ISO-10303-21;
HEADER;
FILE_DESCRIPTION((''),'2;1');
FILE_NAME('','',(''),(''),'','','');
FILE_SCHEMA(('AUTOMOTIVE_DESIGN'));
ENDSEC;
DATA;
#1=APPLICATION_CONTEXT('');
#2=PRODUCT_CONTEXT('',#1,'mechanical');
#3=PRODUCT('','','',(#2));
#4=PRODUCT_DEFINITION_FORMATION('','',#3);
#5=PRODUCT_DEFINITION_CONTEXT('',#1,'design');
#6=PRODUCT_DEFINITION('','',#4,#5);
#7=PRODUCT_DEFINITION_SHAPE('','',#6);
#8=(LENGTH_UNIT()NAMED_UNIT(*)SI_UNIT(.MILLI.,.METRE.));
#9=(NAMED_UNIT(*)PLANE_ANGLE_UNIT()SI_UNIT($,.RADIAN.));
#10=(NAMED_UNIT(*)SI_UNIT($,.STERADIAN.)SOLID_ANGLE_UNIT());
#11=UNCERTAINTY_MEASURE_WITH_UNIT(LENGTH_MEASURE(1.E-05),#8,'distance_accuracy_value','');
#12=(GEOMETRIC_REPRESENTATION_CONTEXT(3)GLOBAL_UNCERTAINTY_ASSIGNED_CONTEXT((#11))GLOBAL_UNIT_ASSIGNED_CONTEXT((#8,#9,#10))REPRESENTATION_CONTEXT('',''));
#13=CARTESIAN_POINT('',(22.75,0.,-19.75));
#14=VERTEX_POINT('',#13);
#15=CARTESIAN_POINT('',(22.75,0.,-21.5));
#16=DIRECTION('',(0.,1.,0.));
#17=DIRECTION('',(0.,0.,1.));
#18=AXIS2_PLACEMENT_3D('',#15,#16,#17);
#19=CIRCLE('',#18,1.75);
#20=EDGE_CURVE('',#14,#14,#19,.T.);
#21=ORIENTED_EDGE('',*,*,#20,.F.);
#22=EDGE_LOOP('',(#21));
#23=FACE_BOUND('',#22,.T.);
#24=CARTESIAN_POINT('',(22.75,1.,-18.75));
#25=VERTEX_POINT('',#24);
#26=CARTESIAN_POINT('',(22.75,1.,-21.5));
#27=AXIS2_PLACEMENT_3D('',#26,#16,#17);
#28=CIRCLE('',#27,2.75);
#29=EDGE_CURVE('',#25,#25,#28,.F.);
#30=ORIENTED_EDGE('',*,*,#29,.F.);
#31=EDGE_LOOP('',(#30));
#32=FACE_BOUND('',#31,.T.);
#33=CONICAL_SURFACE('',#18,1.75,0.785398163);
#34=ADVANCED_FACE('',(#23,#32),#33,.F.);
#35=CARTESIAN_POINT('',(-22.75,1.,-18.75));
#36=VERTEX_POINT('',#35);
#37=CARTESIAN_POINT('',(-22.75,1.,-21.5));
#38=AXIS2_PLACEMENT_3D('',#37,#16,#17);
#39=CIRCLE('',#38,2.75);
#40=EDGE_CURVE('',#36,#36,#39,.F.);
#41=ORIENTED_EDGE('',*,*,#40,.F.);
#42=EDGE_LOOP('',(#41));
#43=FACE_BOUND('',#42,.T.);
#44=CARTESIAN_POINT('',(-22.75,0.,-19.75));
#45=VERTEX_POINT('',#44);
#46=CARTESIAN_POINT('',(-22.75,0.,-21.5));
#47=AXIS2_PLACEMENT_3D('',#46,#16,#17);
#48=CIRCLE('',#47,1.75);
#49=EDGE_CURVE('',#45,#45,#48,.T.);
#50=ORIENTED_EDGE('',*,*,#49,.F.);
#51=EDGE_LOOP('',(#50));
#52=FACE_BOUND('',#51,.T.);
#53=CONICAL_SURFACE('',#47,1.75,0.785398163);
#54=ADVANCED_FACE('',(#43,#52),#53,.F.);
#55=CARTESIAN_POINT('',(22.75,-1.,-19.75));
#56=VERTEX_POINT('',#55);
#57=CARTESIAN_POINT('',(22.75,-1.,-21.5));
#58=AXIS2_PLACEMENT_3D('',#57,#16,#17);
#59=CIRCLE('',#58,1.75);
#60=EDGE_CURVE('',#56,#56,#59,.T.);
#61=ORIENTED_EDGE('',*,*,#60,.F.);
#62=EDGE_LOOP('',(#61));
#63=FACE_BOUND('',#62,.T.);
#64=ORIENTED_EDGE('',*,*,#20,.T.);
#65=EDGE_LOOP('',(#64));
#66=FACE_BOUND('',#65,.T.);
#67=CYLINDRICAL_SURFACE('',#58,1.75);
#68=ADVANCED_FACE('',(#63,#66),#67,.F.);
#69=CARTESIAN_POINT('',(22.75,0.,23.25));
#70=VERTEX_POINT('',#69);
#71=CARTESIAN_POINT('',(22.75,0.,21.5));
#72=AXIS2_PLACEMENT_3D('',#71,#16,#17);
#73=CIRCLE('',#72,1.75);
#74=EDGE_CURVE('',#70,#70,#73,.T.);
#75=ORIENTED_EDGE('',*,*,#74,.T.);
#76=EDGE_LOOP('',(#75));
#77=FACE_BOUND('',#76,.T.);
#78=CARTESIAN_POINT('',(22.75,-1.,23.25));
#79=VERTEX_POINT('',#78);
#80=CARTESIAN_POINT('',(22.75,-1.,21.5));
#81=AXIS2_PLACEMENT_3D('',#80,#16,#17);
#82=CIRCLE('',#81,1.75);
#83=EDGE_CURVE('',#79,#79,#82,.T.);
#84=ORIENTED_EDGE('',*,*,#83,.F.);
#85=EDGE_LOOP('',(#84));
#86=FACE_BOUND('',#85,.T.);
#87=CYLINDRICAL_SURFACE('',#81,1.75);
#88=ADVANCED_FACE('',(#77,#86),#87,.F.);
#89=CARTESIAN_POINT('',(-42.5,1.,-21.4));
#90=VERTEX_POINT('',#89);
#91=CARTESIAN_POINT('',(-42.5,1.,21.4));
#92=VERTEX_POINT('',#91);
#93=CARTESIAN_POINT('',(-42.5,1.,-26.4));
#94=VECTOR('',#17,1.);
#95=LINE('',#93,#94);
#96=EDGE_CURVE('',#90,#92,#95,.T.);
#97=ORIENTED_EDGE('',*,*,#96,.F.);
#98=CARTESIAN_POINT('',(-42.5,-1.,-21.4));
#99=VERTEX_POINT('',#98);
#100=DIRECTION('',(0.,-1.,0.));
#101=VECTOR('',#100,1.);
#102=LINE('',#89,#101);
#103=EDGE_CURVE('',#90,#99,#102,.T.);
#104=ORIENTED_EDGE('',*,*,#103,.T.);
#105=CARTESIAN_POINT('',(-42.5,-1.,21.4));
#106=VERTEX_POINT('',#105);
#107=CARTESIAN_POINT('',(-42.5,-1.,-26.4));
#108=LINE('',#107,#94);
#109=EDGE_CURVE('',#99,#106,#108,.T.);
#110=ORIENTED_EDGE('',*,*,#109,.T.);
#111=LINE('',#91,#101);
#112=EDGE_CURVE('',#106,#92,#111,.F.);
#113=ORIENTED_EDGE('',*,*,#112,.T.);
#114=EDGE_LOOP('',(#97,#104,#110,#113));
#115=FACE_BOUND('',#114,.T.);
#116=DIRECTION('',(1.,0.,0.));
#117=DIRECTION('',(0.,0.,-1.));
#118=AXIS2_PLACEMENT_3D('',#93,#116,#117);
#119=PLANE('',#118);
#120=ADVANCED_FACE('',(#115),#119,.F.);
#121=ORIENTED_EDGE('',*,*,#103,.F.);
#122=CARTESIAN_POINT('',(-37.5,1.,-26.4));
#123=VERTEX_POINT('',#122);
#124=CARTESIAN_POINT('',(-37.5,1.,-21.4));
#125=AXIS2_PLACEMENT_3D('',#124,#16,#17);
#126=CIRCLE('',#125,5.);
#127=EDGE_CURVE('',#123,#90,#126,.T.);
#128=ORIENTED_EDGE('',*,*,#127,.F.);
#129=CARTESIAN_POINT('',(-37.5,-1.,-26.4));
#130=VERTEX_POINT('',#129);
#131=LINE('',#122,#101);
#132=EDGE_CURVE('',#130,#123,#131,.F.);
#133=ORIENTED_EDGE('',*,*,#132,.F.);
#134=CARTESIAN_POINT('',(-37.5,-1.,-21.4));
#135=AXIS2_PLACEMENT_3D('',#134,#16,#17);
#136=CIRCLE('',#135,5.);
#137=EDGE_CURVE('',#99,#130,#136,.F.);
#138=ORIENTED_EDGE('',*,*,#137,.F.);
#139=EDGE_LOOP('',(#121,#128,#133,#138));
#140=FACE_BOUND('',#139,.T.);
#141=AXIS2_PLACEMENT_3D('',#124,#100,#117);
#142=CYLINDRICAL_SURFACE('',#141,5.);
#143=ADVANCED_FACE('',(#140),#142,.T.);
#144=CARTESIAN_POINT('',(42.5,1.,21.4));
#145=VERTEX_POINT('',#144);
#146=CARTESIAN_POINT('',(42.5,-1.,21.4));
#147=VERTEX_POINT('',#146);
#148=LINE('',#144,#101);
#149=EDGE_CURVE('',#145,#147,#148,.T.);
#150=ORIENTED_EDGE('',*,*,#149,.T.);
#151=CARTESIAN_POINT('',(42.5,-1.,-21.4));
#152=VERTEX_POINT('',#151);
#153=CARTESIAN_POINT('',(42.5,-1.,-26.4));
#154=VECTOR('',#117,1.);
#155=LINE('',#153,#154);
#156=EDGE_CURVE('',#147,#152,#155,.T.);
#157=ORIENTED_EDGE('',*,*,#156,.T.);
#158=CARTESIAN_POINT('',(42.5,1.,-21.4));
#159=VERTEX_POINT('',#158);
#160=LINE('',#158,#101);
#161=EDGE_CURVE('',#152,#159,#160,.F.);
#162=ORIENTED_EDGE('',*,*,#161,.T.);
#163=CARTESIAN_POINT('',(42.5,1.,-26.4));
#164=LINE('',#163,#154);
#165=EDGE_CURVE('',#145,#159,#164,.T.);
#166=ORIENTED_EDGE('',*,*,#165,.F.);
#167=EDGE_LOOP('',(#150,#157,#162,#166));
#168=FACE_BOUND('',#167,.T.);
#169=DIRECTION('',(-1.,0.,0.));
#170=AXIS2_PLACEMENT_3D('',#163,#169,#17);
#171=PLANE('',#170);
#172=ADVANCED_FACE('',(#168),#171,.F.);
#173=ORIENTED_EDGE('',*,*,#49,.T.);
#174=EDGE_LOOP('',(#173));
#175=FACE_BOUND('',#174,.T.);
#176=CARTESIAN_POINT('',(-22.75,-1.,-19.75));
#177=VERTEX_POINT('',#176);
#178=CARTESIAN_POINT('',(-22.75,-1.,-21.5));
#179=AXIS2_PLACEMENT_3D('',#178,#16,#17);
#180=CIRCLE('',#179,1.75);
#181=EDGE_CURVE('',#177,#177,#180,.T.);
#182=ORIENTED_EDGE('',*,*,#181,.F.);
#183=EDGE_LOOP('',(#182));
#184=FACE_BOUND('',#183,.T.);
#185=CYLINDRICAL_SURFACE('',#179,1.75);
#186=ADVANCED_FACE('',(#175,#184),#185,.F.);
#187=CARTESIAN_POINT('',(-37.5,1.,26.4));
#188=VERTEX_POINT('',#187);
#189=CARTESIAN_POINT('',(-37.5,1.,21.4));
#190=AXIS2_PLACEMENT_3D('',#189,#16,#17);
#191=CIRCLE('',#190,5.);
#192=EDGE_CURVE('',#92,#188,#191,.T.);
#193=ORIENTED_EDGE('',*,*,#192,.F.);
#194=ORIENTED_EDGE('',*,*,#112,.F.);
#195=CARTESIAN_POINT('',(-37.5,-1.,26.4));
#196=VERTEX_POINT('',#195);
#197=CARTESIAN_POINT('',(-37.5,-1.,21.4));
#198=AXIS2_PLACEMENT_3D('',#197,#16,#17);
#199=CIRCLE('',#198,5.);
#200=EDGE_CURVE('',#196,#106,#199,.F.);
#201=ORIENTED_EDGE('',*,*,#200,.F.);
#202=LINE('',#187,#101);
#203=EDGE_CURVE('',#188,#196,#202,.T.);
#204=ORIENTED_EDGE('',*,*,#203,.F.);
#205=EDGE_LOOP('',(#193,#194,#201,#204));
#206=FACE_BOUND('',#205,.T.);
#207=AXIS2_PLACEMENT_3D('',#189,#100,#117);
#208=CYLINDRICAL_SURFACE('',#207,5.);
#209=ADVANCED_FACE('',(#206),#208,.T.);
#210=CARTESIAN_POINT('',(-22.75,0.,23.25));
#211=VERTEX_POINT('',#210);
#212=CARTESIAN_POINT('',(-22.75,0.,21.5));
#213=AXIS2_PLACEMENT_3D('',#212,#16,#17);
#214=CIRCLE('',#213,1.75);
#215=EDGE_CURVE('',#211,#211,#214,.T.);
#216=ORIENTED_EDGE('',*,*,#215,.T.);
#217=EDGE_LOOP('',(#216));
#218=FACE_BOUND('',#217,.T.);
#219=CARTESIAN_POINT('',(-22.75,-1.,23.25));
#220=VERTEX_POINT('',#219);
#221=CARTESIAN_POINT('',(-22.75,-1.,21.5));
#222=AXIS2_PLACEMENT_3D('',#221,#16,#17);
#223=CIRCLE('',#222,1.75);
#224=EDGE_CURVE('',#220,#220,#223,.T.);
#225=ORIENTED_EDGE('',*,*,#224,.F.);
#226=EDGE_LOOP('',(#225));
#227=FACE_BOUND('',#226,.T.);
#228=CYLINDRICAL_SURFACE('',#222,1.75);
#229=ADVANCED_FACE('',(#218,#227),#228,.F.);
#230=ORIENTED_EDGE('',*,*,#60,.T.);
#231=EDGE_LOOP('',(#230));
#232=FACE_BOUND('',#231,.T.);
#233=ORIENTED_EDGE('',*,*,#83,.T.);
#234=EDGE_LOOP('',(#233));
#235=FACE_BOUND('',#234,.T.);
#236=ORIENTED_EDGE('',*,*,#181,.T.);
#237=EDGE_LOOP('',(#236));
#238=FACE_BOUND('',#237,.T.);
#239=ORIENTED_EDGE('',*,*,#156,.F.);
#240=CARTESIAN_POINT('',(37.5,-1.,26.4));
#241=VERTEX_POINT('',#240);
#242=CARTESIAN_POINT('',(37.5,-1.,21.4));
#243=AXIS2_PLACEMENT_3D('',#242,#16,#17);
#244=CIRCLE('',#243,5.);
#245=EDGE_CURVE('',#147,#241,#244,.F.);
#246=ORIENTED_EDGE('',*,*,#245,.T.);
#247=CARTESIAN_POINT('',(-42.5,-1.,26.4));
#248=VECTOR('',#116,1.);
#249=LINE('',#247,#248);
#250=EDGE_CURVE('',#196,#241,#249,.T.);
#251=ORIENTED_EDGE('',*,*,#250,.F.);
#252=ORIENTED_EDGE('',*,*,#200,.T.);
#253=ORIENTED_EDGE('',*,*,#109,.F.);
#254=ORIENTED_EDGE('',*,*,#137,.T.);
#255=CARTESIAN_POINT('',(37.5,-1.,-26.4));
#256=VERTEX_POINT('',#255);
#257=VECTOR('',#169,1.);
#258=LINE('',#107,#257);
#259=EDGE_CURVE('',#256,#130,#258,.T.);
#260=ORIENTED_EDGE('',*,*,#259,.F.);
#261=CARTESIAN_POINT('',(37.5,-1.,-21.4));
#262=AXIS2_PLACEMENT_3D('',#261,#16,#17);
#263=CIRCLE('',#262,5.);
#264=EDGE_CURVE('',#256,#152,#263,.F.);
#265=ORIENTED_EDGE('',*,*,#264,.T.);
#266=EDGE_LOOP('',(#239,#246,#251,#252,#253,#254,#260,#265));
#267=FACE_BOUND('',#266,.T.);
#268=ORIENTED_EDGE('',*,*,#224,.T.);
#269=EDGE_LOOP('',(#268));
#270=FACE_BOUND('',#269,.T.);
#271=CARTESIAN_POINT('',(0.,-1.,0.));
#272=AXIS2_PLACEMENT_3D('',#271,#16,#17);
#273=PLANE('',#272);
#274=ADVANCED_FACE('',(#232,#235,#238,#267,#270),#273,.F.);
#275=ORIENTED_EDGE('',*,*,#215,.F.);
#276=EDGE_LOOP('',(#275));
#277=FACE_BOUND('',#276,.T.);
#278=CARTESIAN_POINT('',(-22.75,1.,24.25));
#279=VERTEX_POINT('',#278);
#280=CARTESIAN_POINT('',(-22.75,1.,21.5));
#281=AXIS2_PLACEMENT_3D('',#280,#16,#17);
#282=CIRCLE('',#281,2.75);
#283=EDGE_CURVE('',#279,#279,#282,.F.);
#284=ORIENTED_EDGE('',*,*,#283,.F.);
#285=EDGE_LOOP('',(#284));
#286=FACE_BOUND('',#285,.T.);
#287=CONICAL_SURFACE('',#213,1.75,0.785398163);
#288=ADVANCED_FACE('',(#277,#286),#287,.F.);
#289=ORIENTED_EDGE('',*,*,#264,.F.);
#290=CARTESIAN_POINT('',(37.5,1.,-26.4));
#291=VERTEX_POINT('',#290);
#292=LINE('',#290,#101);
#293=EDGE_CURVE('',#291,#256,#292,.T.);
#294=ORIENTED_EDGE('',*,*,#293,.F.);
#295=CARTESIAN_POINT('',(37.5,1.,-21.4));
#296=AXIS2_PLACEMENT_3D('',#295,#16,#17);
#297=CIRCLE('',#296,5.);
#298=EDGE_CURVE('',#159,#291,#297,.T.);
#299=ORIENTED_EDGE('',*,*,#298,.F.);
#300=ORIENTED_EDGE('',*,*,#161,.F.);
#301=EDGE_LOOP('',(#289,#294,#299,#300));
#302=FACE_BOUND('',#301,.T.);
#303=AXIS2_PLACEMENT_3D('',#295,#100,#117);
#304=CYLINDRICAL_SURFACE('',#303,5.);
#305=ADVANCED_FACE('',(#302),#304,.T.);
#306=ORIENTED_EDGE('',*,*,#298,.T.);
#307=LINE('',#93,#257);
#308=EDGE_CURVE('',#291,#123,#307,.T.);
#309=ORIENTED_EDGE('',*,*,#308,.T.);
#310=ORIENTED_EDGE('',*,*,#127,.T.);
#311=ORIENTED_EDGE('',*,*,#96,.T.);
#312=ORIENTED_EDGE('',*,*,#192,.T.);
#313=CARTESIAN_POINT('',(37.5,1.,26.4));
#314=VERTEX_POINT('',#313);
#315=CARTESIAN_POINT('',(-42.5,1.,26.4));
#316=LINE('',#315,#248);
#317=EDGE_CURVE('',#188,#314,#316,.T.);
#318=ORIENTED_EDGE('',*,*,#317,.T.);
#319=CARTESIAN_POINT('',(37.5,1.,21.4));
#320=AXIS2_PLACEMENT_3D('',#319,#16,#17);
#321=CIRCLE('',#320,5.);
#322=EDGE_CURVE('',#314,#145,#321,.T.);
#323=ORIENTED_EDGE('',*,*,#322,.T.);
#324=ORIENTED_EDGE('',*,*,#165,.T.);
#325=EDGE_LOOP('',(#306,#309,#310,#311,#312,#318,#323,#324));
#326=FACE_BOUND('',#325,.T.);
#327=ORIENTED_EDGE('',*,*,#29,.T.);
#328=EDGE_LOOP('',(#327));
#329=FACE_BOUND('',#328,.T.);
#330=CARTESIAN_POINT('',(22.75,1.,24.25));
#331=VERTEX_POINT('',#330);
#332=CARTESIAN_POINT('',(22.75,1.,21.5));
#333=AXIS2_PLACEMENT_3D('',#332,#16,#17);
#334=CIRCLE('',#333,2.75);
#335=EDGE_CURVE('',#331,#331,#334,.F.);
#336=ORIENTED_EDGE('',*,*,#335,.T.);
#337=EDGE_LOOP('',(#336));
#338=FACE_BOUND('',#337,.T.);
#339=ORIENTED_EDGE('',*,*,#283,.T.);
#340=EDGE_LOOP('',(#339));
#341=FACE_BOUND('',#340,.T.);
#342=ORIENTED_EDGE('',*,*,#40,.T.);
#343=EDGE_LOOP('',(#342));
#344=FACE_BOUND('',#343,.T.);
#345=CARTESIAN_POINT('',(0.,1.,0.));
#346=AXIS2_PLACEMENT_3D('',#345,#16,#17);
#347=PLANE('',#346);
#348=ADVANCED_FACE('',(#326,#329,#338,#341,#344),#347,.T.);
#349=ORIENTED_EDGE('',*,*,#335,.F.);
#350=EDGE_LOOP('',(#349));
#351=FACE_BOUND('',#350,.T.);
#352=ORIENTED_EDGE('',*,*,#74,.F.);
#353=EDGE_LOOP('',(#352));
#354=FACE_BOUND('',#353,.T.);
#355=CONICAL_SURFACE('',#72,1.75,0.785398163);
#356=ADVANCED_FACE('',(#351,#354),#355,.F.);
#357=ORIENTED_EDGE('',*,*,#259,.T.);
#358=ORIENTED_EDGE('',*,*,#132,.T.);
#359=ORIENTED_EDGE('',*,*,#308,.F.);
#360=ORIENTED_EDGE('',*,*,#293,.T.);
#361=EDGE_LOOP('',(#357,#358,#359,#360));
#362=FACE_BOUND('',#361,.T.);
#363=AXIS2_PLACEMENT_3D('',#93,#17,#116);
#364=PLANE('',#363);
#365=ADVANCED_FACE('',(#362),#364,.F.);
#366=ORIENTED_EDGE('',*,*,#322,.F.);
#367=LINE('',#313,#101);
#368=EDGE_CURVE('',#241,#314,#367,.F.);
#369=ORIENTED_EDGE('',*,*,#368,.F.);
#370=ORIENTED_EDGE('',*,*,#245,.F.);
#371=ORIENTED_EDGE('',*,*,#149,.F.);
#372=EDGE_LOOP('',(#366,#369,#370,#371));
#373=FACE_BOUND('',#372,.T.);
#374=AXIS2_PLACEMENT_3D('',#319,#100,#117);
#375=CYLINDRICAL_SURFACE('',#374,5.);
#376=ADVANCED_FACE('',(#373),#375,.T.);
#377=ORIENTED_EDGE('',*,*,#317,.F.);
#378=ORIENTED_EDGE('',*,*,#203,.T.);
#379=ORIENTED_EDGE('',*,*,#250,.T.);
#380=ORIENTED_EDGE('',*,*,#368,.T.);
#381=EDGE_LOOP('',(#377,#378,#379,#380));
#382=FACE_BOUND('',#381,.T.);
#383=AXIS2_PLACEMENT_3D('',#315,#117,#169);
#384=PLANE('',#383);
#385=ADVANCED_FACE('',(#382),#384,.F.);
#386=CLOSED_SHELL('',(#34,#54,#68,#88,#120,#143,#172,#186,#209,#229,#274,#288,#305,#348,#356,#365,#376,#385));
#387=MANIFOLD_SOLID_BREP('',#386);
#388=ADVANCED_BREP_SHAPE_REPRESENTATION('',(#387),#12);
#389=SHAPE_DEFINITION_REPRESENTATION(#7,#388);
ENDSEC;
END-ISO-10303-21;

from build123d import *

# Parameters (mm, degrees)
SKETCH1_W           = 85
SKETCH1_H           = 52.8
BOSS_EXTRUDE1_DEPTH = 1
SKETCH2_R           = 1.75
CUT_EXTRUDE1_DEPTH  = 2
CHAMFER1_SIZE       = 1
FILLET2_R           = 5


with BuildPart() as part:
    # Sketch1 → Boss-Extrude1 (new, symmetric)
    with BuildSketch(Plane(origin=(0, 0, 0), x_dir=(1, 0, 0), z_dir=(0, 1, 0))):
        Rectangle(SKETCH1_W, SKETCH1_H)
    extrude(amount=BOSS_EXTRUDE1_DEPTH, both=True)

    # Sketch2 → Cut-Extrude1 (cut)
    with BuildSketch(Plane(origin=(0, 1, 0), x_dir=(1, 0, 0), z_dir=(0, 1, 0))):
        with Locations(Location((-22.75, 21.5, 0), (0, 0, 270))):
            Circle(SKETCH2_R)
        with Locations(Location((22.75, 21.5, 0), (0, 0, 270))):
            Circle(SKETCH2_R)
        with Locations(Location((22.75, -21.5, 0), (0, 0, 270))):
            Circle(SKETCH2_R)
        with Locations(Location((-22.75, -21.5, 0), (0, 0, 270))):
            Circle(SKETCH2_R)
    extrude(amount=-CUT_EXTRUDE1_DEPTH, mode=Mode.SUBTRACT)

    # Chamfer1
    chamfer1_edges = [part.edges().sort_by_distance(p)[0] for p in [
        (-22.75, 1, 19.75),
        (22.75, 1, 19.75),
        (22.75, 1, -23.25),
        (-22.75, 1, -23.25),
    ]]
    chamfer(chamfer1_edges, length=CHAMFER1_SIZE)

    # Fillet2
    fillet2_edges = [part.edges().sort_by_distance(p)[0] for p in [
        (42.5, 0, 26.4),
        (-42.5, 0, 26.4),
        (-42.5, 0, -26.4),
        (42.5, 0, -26.4),
    ]]
    fillet(fillet2_edges, radius=FILLET2_R)


solid = part.part
